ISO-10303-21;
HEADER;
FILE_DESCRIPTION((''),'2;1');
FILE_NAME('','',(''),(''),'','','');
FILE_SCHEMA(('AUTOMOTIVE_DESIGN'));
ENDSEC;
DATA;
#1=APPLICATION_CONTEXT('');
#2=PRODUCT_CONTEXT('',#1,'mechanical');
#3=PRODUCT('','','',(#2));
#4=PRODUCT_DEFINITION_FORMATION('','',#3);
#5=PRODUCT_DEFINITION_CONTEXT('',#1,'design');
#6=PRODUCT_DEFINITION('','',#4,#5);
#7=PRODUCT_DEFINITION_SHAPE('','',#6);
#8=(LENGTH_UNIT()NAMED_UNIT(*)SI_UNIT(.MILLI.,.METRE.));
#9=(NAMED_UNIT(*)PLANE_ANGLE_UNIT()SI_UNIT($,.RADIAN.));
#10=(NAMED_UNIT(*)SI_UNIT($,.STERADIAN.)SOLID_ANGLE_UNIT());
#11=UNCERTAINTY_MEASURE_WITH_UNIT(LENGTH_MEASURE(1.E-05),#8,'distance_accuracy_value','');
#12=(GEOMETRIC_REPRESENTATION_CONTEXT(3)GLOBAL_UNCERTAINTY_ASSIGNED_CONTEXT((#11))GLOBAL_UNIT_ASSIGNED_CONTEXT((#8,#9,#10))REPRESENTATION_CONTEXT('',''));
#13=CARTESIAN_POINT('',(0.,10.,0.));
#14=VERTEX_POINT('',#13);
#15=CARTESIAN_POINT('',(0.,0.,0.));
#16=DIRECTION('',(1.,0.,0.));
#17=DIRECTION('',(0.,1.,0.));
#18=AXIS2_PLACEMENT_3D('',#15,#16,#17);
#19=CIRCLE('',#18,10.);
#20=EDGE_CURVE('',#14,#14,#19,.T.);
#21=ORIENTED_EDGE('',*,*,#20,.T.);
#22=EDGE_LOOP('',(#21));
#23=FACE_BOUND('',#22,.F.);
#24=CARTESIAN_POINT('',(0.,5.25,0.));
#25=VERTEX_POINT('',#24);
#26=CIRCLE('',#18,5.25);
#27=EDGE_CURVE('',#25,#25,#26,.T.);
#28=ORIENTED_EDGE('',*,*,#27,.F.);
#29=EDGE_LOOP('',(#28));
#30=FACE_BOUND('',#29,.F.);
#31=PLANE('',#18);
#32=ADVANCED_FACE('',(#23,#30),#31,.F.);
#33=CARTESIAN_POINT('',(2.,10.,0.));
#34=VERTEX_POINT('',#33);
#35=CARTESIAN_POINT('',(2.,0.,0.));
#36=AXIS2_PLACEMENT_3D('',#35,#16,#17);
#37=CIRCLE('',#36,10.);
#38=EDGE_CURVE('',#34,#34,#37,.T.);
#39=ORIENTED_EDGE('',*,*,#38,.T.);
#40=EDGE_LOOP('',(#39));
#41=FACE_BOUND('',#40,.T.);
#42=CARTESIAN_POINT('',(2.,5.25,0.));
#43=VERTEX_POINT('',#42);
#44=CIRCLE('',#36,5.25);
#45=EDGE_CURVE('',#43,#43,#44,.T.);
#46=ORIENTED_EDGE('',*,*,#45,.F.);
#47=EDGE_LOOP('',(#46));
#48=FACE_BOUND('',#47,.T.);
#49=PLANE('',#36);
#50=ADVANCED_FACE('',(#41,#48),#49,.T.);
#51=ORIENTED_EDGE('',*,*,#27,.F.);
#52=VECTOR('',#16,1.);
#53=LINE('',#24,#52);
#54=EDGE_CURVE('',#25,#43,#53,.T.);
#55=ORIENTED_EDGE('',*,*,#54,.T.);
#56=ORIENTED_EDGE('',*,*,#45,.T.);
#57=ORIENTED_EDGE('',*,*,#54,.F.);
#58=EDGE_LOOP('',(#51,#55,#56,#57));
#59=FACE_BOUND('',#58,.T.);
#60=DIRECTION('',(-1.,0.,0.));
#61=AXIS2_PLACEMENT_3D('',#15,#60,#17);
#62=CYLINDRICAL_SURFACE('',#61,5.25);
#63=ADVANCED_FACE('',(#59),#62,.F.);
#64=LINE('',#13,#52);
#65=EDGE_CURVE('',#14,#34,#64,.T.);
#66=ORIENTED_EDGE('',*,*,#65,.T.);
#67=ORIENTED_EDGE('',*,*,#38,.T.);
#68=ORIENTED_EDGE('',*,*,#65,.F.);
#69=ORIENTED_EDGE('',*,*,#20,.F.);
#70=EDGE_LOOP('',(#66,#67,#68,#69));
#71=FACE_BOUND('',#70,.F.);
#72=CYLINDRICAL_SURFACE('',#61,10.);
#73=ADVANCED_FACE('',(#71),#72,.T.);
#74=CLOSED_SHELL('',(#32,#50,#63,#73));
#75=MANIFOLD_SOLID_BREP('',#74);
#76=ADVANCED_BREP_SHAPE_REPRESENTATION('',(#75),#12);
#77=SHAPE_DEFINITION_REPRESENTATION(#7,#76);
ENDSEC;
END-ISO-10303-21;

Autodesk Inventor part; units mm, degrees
ref_plane "YZ Plane" through (0, 0, 0) normal (1, 0, 0) x (0, 1, 0)
ref_plane "XZ Plane" through (0, 0, 0) normal (0, 1, 0) x (-1, 0, 0)
sketch "Sketch" plane through (0, 0, 0) normal (1, 0, 0) x (0, 1, 0)
  circle A0 centre (0, 0) radius 10
  circle A1 centre (0, 0) radius 5.25
  dimension "d0" = 10.5
  dimension "d1" = 20
extrude "Body" add sketch "Sketch" along normal blind 2
ref_plane "Work Plane1" through (0, 0, 0) normal (0, 0, 1) x (1, 0, 0)
equation "\"d0\" = SD1"
equation "\"d1\" = SD2"
equation "\"d2\" = SD"
equation "\"SD1\" = 10.5"
equation "\"SD2\" = 20"
equation "\"SD\" = 2"
properties part number "DIN 125 - A 10,5" material "Steel, Mild"
